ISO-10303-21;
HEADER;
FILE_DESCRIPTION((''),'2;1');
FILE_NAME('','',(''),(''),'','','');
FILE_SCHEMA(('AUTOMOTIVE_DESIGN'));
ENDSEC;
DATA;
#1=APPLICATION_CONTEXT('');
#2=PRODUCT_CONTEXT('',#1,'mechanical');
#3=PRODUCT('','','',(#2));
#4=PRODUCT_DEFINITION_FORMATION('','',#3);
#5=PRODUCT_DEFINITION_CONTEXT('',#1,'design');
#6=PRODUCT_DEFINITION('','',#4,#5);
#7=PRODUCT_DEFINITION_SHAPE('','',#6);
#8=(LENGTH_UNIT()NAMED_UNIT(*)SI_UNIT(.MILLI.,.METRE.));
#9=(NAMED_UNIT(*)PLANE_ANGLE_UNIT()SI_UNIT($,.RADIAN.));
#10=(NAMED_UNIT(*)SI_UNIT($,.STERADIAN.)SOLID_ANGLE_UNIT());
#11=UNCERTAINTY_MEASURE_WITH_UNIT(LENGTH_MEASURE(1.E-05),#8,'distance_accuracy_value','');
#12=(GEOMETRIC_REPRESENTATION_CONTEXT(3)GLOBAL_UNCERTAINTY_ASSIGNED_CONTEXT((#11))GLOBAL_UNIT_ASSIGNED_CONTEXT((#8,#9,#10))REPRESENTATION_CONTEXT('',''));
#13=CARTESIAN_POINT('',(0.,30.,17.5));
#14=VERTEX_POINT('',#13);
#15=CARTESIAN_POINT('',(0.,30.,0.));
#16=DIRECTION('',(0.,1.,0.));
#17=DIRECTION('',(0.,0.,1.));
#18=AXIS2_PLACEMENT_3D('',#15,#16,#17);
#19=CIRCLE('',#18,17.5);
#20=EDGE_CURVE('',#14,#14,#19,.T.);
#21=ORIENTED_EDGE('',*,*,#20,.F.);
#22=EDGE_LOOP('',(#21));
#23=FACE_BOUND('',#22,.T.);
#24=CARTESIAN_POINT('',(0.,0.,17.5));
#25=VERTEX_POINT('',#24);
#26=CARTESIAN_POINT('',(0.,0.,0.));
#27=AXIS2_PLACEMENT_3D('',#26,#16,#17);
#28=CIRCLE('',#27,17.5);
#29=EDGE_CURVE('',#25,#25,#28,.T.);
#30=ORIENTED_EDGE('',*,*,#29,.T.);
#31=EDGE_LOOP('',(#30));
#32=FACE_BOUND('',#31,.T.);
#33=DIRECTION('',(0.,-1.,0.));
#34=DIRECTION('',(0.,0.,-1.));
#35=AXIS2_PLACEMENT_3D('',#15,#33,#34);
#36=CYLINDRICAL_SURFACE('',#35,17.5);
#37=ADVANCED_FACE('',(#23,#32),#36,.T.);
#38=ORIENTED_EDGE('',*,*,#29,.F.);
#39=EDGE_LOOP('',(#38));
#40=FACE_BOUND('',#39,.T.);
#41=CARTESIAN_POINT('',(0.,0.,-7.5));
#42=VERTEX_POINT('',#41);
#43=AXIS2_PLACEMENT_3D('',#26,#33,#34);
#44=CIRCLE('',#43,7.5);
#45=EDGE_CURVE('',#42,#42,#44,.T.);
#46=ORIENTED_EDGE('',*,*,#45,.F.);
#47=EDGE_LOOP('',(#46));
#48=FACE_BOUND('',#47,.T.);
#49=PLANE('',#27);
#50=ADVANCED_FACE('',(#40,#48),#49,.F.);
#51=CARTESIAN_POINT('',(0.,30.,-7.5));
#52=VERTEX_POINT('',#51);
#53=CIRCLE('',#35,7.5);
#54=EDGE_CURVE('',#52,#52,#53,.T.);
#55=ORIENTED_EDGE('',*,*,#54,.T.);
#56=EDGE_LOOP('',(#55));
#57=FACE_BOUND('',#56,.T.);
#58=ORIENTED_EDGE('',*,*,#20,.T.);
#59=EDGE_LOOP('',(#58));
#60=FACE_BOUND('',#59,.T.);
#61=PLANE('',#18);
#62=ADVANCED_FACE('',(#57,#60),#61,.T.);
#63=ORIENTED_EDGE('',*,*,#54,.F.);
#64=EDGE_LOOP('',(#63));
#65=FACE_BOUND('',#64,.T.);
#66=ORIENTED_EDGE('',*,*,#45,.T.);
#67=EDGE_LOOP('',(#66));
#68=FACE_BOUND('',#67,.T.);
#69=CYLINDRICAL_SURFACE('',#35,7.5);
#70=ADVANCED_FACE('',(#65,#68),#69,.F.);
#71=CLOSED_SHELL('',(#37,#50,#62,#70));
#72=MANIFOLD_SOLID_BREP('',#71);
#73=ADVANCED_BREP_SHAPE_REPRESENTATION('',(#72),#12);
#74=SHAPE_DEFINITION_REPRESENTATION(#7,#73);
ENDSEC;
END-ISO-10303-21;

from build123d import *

# Parameters (mm, degrees)
ESQUISSE1_R             = 17.5
BOSS_EXTRU_1_DEPTH      = 30
ESQUISSE2_R             = 7.5
ENL_V_MAT_EXTRU_1_DEPTH = 30


with BuildPart() as part:
    # Esquisse1 → Boss.-Extru.1 (new body)
    with BuildSketch(Plane(origin=(0, 0, 0), x_dir=(1, 0, 0), z_dir=(0, 1, 0))):
        with Locations(Location((0, 0, 0), (0, 0, 270))):
            Circle(ESQUISSE1_R)
    extrude(amount=BOSS_EXTRU_1_DEPTH)

    # Esquisse2 → Enlèv. mat.-Extru.1 (cut)
    with BuildSketch(Plane.XZ):
        with Locations(Location((0, 0, 0), (0, 0, 270))):
            Circle(ESQUISSE2_R)
    extrude(amount=-ENL_V_MAT_EXTRU_1_DEPTH, mode=Mode.SUBTRACT)


solid = part.part
